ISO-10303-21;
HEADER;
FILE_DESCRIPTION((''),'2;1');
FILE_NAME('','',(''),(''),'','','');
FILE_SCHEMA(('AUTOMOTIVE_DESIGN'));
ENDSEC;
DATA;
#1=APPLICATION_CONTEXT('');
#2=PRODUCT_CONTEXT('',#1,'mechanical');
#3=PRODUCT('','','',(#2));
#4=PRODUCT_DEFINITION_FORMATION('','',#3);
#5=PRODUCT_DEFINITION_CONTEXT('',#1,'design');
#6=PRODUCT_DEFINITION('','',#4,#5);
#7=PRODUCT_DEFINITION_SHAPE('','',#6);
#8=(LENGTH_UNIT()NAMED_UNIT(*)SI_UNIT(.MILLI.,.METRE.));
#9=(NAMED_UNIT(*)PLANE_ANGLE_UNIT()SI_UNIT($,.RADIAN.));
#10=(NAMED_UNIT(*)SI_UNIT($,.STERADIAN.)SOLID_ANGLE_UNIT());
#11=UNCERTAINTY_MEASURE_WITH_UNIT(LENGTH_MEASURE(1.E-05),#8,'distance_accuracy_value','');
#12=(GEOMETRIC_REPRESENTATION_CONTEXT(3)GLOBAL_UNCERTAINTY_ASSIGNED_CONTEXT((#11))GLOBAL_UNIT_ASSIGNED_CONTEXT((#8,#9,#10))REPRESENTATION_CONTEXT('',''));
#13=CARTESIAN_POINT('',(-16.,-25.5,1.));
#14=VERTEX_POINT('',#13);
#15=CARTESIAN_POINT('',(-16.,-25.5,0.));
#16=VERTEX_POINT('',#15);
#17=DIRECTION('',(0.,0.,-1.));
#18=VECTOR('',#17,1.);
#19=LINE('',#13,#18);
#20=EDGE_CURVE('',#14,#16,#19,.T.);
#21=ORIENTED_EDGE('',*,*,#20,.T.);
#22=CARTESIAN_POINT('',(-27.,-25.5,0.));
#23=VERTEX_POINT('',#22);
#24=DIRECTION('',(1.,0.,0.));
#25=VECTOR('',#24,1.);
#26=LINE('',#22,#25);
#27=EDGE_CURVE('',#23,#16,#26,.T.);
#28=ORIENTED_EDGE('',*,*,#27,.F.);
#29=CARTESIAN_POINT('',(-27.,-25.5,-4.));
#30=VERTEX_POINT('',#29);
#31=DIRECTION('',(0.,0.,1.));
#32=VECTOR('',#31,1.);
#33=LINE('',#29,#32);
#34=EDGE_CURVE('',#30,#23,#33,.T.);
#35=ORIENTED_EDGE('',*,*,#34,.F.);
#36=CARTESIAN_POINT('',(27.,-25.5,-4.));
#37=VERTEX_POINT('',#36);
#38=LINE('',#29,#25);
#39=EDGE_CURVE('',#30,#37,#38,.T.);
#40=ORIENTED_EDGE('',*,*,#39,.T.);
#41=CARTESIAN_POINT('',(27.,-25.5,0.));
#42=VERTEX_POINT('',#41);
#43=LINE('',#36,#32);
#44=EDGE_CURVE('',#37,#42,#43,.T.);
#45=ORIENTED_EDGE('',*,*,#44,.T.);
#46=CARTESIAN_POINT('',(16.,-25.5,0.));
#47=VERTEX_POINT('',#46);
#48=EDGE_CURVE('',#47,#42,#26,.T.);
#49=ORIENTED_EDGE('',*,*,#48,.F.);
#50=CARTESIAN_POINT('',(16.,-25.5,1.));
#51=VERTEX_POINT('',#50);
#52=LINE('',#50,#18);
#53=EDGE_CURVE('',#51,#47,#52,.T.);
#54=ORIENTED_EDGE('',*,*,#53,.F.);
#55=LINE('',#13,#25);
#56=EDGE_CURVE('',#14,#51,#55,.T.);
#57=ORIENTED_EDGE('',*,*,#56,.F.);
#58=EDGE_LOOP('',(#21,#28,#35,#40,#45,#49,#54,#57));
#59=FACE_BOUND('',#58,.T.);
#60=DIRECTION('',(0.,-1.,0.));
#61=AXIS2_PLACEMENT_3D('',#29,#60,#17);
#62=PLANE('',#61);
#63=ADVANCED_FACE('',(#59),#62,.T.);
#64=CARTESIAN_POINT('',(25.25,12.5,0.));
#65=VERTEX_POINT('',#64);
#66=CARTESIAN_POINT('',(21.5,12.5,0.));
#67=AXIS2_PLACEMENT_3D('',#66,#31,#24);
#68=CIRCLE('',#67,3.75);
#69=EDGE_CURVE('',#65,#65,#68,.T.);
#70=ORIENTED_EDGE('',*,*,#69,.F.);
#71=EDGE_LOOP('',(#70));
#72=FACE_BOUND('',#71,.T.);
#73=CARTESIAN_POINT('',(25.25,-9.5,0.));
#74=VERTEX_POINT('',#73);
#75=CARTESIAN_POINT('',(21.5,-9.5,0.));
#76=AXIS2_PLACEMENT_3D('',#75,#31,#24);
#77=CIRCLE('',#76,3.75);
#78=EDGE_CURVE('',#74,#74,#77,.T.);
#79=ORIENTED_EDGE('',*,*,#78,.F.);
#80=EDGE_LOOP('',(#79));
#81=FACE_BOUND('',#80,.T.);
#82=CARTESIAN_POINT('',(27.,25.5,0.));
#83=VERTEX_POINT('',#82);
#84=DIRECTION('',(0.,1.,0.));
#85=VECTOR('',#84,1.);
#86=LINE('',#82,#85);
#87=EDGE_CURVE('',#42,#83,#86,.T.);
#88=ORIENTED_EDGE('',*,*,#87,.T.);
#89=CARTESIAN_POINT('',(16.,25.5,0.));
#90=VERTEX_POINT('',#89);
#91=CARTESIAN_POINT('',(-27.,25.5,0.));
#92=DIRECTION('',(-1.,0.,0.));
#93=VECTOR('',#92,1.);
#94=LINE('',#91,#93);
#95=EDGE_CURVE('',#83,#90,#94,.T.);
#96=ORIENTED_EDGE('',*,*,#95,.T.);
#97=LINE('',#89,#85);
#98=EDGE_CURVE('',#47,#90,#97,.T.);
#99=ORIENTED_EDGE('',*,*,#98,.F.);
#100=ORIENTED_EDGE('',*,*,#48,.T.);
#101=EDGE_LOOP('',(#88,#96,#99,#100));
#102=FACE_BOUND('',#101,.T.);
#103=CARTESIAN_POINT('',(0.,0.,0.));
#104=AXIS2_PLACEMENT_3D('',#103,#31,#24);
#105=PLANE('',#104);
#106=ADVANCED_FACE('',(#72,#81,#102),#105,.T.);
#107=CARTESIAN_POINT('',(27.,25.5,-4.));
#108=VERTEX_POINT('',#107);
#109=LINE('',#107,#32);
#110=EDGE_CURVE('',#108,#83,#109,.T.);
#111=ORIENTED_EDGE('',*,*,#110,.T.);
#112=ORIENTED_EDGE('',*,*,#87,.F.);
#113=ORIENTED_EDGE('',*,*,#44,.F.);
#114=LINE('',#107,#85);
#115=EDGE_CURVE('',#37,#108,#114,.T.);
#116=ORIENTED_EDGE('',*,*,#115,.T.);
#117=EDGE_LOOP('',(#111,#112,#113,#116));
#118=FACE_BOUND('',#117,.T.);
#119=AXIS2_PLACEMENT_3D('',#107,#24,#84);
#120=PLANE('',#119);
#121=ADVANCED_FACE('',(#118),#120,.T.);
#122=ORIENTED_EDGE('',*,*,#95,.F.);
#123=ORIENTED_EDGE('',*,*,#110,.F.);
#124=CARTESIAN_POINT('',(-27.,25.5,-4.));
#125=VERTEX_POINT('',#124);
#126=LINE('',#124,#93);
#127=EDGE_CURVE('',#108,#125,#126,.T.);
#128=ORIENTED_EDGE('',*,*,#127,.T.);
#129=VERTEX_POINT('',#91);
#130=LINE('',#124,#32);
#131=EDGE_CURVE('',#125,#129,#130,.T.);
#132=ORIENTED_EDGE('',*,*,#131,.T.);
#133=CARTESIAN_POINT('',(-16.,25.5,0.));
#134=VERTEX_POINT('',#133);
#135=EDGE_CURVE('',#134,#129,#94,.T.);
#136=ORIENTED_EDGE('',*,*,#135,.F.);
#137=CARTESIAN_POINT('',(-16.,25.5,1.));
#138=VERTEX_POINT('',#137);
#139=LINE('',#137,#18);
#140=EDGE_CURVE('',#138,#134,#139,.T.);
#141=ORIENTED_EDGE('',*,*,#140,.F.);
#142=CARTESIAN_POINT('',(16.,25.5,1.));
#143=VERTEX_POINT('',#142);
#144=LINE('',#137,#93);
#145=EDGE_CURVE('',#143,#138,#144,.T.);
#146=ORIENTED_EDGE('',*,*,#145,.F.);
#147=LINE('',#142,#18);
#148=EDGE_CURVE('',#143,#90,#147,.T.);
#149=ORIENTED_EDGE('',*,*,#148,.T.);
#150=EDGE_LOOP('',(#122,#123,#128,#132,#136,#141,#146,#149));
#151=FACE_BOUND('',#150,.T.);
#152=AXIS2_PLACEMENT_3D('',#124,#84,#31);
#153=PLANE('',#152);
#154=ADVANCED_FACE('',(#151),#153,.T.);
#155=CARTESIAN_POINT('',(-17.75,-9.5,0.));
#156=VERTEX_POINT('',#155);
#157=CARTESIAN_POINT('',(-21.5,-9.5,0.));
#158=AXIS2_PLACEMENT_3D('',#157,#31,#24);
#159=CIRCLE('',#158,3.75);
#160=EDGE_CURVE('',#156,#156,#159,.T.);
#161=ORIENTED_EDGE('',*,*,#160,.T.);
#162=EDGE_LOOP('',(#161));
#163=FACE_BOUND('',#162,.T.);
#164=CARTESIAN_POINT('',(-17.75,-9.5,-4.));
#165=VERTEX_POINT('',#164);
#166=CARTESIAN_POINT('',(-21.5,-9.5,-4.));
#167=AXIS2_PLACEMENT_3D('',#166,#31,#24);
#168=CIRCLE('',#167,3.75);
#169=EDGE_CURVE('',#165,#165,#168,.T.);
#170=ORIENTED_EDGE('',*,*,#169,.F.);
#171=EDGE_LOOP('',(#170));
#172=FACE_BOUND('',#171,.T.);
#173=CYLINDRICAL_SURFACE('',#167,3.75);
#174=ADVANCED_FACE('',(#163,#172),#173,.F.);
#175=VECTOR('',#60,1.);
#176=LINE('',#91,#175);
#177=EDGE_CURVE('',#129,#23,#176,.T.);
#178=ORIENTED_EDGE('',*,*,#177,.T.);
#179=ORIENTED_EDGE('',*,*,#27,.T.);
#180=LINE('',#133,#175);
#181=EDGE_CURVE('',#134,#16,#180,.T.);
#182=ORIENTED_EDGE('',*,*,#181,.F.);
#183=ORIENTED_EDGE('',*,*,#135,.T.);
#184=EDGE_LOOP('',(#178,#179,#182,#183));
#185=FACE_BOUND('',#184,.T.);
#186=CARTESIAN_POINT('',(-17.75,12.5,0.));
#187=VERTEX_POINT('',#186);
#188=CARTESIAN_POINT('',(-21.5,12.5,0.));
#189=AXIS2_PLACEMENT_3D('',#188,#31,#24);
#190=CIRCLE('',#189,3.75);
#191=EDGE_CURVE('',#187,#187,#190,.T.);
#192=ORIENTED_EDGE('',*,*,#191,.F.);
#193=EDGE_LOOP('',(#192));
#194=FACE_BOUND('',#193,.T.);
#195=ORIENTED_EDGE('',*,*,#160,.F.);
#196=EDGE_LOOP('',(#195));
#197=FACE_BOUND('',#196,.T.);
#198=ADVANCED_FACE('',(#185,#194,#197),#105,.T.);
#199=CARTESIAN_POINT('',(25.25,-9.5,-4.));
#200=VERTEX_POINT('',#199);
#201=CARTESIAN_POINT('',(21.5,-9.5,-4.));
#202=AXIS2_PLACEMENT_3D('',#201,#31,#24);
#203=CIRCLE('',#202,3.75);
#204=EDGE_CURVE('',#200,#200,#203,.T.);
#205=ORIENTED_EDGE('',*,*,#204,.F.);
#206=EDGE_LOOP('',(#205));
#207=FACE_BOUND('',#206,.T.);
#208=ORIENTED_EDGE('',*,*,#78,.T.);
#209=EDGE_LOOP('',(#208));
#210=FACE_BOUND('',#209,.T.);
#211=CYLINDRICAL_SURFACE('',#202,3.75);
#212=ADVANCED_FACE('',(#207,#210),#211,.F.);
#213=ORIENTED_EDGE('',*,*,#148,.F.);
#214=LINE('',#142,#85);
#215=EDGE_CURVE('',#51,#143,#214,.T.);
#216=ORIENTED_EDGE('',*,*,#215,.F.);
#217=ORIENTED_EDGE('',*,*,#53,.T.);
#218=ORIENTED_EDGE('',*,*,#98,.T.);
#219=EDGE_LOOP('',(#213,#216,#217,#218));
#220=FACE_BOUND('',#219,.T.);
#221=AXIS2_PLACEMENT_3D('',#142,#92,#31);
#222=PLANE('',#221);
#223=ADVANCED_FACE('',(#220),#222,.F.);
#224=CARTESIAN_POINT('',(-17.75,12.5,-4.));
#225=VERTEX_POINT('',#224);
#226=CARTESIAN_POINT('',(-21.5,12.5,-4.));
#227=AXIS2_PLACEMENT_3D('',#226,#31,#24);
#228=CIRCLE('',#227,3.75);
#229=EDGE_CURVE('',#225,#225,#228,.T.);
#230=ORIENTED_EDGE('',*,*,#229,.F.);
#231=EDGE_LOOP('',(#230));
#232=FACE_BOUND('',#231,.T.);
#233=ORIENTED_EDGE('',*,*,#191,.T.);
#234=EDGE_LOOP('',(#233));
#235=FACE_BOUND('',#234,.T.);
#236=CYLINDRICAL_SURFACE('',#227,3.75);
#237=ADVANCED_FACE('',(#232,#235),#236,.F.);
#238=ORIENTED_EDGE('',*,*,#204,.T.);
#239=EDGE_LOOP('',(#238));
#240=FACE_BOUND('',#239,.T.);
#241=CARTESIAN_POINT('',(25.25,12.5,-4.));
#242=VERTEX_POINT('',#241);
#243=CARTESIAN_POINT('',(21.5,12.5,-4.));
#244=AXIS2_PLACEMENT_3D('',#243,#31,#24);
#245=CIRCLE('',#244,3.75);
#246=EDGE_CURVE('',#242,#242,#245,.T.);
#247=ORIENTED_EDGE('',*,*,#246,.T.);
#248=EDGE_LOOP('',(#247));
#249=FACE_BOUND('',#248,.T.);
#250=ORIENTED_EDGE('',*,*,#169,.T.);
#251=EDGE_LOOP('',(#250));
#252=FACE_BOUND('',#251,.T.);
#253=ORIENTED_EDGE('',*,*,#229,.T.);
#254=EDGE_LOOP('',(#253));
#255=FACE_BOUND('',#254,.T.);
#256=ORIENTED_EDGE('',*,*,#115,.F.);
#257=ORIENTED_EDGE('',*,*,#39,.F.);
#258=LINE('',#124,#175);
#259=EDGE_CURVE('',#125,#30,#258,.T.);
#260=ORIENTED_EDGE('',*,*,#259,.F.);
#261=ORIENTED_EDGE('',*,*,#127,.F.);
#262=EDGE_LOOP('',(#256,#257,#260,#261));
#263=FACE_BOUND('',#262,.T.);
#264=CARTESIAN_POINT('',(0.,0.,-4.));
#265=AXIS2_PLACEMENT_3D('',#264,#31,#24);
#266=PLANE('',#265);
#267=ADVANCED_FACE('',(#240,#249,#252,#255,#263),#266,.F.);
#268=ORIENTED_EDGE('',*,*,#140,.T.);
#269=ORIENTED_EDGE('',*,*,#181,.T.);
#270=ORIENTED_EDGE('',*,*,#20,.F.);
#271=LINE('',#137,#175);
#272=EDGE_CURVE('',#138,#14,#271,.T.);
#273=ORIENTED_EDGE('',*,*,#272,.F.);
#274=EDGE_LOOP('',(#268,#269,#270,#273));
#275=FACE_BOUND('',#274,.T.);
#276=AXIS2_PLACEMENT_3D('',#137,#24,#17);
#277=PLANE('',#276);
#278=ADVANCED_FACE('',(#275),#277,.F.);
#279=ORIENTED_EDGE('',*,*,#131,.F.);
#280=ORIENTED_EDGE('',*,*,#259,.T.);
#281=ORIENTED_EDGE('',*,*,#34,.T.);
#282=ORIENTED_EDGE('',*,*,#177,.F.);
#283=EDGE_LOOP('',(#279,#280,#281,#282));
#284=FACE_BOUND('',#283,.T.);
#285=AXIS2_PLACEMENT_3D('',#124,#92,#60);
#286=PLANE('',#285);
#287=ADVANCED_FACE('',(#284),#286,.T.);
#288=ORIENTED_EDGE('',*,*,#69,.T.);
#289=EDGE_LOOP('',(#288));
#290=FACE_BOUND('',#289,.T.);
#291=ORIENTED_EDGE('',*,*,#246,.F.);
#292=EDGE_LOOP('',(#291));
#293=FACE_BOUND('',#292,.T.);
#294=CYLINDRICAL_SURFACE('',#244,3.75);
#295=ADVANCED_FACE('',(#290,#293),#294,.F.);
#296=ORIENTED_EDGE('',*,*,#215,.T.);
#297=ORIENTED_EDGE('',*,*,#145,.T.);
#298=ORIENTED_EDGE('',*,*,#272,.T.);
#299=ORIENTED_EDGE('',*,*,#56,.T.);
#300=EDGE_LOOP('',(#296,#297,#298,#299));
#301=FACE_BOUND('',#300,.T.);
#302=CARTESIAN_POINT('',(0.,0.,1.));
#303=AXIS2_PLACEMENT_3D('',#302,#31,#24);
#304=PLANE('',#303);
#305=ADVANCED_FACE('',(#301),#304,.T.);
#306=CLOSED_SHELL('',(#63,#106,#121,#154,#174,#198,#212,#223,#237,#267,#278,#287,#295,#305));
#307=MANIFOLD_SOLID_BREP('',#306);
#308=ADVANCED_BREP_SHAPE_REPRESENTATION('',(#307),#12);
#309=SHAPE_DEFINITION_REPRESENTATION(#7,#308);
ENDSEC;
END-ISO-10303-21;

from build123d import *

# Parameters (mm, degrees)
CROQUIS1_W              = 54
CROQUIS1_H              = 51
CROQUIS1_R              = 3.75
SALIENTE_EXTRUIR1_DEPTH = 4
CROQUIS2_W              = 32
CROQUIS2_H              = 51
SALIENTE_EXTRUIR2_DEPTH = 1


with BuildPart() as part:
    # Croquis1 → Saliente-Extruir1 (new body)
    with BuildSketch(Plane.XY):
        Rectangle(CROQUIS1_W, CROQUIS1_H)
        with Locations((-21.5, 12.5)):
            Circle(CROQUIS1_R, mode=Mode.SUBTRACT)
        with Locations((21.5, 12.5)):
            Circle(CROQUIS1_R, mode=Mode.SUBTRACT)
        with Locations((21.5, -9.5)):
            Circle(CROQUIS1_R, mode=Mode.SUBTRACT)
        with Locations((-21.5, -9.5)):
            Circle(CROQUIS1_R, mode=Mode.SUBTRACT)
    extrude(amount=-SALIENTE_EXTRUIR1_DEPTH)

    # Croquis2 → Saliente-Extruir2 (add)
    with BuildSketch(Plane.XY):
        Rectangle(CROQUIS2_W, CROQUIS2_H)
    extrude(amount=SALIENTE_EXTRUIR2_DEPTH)


solid = part.part
